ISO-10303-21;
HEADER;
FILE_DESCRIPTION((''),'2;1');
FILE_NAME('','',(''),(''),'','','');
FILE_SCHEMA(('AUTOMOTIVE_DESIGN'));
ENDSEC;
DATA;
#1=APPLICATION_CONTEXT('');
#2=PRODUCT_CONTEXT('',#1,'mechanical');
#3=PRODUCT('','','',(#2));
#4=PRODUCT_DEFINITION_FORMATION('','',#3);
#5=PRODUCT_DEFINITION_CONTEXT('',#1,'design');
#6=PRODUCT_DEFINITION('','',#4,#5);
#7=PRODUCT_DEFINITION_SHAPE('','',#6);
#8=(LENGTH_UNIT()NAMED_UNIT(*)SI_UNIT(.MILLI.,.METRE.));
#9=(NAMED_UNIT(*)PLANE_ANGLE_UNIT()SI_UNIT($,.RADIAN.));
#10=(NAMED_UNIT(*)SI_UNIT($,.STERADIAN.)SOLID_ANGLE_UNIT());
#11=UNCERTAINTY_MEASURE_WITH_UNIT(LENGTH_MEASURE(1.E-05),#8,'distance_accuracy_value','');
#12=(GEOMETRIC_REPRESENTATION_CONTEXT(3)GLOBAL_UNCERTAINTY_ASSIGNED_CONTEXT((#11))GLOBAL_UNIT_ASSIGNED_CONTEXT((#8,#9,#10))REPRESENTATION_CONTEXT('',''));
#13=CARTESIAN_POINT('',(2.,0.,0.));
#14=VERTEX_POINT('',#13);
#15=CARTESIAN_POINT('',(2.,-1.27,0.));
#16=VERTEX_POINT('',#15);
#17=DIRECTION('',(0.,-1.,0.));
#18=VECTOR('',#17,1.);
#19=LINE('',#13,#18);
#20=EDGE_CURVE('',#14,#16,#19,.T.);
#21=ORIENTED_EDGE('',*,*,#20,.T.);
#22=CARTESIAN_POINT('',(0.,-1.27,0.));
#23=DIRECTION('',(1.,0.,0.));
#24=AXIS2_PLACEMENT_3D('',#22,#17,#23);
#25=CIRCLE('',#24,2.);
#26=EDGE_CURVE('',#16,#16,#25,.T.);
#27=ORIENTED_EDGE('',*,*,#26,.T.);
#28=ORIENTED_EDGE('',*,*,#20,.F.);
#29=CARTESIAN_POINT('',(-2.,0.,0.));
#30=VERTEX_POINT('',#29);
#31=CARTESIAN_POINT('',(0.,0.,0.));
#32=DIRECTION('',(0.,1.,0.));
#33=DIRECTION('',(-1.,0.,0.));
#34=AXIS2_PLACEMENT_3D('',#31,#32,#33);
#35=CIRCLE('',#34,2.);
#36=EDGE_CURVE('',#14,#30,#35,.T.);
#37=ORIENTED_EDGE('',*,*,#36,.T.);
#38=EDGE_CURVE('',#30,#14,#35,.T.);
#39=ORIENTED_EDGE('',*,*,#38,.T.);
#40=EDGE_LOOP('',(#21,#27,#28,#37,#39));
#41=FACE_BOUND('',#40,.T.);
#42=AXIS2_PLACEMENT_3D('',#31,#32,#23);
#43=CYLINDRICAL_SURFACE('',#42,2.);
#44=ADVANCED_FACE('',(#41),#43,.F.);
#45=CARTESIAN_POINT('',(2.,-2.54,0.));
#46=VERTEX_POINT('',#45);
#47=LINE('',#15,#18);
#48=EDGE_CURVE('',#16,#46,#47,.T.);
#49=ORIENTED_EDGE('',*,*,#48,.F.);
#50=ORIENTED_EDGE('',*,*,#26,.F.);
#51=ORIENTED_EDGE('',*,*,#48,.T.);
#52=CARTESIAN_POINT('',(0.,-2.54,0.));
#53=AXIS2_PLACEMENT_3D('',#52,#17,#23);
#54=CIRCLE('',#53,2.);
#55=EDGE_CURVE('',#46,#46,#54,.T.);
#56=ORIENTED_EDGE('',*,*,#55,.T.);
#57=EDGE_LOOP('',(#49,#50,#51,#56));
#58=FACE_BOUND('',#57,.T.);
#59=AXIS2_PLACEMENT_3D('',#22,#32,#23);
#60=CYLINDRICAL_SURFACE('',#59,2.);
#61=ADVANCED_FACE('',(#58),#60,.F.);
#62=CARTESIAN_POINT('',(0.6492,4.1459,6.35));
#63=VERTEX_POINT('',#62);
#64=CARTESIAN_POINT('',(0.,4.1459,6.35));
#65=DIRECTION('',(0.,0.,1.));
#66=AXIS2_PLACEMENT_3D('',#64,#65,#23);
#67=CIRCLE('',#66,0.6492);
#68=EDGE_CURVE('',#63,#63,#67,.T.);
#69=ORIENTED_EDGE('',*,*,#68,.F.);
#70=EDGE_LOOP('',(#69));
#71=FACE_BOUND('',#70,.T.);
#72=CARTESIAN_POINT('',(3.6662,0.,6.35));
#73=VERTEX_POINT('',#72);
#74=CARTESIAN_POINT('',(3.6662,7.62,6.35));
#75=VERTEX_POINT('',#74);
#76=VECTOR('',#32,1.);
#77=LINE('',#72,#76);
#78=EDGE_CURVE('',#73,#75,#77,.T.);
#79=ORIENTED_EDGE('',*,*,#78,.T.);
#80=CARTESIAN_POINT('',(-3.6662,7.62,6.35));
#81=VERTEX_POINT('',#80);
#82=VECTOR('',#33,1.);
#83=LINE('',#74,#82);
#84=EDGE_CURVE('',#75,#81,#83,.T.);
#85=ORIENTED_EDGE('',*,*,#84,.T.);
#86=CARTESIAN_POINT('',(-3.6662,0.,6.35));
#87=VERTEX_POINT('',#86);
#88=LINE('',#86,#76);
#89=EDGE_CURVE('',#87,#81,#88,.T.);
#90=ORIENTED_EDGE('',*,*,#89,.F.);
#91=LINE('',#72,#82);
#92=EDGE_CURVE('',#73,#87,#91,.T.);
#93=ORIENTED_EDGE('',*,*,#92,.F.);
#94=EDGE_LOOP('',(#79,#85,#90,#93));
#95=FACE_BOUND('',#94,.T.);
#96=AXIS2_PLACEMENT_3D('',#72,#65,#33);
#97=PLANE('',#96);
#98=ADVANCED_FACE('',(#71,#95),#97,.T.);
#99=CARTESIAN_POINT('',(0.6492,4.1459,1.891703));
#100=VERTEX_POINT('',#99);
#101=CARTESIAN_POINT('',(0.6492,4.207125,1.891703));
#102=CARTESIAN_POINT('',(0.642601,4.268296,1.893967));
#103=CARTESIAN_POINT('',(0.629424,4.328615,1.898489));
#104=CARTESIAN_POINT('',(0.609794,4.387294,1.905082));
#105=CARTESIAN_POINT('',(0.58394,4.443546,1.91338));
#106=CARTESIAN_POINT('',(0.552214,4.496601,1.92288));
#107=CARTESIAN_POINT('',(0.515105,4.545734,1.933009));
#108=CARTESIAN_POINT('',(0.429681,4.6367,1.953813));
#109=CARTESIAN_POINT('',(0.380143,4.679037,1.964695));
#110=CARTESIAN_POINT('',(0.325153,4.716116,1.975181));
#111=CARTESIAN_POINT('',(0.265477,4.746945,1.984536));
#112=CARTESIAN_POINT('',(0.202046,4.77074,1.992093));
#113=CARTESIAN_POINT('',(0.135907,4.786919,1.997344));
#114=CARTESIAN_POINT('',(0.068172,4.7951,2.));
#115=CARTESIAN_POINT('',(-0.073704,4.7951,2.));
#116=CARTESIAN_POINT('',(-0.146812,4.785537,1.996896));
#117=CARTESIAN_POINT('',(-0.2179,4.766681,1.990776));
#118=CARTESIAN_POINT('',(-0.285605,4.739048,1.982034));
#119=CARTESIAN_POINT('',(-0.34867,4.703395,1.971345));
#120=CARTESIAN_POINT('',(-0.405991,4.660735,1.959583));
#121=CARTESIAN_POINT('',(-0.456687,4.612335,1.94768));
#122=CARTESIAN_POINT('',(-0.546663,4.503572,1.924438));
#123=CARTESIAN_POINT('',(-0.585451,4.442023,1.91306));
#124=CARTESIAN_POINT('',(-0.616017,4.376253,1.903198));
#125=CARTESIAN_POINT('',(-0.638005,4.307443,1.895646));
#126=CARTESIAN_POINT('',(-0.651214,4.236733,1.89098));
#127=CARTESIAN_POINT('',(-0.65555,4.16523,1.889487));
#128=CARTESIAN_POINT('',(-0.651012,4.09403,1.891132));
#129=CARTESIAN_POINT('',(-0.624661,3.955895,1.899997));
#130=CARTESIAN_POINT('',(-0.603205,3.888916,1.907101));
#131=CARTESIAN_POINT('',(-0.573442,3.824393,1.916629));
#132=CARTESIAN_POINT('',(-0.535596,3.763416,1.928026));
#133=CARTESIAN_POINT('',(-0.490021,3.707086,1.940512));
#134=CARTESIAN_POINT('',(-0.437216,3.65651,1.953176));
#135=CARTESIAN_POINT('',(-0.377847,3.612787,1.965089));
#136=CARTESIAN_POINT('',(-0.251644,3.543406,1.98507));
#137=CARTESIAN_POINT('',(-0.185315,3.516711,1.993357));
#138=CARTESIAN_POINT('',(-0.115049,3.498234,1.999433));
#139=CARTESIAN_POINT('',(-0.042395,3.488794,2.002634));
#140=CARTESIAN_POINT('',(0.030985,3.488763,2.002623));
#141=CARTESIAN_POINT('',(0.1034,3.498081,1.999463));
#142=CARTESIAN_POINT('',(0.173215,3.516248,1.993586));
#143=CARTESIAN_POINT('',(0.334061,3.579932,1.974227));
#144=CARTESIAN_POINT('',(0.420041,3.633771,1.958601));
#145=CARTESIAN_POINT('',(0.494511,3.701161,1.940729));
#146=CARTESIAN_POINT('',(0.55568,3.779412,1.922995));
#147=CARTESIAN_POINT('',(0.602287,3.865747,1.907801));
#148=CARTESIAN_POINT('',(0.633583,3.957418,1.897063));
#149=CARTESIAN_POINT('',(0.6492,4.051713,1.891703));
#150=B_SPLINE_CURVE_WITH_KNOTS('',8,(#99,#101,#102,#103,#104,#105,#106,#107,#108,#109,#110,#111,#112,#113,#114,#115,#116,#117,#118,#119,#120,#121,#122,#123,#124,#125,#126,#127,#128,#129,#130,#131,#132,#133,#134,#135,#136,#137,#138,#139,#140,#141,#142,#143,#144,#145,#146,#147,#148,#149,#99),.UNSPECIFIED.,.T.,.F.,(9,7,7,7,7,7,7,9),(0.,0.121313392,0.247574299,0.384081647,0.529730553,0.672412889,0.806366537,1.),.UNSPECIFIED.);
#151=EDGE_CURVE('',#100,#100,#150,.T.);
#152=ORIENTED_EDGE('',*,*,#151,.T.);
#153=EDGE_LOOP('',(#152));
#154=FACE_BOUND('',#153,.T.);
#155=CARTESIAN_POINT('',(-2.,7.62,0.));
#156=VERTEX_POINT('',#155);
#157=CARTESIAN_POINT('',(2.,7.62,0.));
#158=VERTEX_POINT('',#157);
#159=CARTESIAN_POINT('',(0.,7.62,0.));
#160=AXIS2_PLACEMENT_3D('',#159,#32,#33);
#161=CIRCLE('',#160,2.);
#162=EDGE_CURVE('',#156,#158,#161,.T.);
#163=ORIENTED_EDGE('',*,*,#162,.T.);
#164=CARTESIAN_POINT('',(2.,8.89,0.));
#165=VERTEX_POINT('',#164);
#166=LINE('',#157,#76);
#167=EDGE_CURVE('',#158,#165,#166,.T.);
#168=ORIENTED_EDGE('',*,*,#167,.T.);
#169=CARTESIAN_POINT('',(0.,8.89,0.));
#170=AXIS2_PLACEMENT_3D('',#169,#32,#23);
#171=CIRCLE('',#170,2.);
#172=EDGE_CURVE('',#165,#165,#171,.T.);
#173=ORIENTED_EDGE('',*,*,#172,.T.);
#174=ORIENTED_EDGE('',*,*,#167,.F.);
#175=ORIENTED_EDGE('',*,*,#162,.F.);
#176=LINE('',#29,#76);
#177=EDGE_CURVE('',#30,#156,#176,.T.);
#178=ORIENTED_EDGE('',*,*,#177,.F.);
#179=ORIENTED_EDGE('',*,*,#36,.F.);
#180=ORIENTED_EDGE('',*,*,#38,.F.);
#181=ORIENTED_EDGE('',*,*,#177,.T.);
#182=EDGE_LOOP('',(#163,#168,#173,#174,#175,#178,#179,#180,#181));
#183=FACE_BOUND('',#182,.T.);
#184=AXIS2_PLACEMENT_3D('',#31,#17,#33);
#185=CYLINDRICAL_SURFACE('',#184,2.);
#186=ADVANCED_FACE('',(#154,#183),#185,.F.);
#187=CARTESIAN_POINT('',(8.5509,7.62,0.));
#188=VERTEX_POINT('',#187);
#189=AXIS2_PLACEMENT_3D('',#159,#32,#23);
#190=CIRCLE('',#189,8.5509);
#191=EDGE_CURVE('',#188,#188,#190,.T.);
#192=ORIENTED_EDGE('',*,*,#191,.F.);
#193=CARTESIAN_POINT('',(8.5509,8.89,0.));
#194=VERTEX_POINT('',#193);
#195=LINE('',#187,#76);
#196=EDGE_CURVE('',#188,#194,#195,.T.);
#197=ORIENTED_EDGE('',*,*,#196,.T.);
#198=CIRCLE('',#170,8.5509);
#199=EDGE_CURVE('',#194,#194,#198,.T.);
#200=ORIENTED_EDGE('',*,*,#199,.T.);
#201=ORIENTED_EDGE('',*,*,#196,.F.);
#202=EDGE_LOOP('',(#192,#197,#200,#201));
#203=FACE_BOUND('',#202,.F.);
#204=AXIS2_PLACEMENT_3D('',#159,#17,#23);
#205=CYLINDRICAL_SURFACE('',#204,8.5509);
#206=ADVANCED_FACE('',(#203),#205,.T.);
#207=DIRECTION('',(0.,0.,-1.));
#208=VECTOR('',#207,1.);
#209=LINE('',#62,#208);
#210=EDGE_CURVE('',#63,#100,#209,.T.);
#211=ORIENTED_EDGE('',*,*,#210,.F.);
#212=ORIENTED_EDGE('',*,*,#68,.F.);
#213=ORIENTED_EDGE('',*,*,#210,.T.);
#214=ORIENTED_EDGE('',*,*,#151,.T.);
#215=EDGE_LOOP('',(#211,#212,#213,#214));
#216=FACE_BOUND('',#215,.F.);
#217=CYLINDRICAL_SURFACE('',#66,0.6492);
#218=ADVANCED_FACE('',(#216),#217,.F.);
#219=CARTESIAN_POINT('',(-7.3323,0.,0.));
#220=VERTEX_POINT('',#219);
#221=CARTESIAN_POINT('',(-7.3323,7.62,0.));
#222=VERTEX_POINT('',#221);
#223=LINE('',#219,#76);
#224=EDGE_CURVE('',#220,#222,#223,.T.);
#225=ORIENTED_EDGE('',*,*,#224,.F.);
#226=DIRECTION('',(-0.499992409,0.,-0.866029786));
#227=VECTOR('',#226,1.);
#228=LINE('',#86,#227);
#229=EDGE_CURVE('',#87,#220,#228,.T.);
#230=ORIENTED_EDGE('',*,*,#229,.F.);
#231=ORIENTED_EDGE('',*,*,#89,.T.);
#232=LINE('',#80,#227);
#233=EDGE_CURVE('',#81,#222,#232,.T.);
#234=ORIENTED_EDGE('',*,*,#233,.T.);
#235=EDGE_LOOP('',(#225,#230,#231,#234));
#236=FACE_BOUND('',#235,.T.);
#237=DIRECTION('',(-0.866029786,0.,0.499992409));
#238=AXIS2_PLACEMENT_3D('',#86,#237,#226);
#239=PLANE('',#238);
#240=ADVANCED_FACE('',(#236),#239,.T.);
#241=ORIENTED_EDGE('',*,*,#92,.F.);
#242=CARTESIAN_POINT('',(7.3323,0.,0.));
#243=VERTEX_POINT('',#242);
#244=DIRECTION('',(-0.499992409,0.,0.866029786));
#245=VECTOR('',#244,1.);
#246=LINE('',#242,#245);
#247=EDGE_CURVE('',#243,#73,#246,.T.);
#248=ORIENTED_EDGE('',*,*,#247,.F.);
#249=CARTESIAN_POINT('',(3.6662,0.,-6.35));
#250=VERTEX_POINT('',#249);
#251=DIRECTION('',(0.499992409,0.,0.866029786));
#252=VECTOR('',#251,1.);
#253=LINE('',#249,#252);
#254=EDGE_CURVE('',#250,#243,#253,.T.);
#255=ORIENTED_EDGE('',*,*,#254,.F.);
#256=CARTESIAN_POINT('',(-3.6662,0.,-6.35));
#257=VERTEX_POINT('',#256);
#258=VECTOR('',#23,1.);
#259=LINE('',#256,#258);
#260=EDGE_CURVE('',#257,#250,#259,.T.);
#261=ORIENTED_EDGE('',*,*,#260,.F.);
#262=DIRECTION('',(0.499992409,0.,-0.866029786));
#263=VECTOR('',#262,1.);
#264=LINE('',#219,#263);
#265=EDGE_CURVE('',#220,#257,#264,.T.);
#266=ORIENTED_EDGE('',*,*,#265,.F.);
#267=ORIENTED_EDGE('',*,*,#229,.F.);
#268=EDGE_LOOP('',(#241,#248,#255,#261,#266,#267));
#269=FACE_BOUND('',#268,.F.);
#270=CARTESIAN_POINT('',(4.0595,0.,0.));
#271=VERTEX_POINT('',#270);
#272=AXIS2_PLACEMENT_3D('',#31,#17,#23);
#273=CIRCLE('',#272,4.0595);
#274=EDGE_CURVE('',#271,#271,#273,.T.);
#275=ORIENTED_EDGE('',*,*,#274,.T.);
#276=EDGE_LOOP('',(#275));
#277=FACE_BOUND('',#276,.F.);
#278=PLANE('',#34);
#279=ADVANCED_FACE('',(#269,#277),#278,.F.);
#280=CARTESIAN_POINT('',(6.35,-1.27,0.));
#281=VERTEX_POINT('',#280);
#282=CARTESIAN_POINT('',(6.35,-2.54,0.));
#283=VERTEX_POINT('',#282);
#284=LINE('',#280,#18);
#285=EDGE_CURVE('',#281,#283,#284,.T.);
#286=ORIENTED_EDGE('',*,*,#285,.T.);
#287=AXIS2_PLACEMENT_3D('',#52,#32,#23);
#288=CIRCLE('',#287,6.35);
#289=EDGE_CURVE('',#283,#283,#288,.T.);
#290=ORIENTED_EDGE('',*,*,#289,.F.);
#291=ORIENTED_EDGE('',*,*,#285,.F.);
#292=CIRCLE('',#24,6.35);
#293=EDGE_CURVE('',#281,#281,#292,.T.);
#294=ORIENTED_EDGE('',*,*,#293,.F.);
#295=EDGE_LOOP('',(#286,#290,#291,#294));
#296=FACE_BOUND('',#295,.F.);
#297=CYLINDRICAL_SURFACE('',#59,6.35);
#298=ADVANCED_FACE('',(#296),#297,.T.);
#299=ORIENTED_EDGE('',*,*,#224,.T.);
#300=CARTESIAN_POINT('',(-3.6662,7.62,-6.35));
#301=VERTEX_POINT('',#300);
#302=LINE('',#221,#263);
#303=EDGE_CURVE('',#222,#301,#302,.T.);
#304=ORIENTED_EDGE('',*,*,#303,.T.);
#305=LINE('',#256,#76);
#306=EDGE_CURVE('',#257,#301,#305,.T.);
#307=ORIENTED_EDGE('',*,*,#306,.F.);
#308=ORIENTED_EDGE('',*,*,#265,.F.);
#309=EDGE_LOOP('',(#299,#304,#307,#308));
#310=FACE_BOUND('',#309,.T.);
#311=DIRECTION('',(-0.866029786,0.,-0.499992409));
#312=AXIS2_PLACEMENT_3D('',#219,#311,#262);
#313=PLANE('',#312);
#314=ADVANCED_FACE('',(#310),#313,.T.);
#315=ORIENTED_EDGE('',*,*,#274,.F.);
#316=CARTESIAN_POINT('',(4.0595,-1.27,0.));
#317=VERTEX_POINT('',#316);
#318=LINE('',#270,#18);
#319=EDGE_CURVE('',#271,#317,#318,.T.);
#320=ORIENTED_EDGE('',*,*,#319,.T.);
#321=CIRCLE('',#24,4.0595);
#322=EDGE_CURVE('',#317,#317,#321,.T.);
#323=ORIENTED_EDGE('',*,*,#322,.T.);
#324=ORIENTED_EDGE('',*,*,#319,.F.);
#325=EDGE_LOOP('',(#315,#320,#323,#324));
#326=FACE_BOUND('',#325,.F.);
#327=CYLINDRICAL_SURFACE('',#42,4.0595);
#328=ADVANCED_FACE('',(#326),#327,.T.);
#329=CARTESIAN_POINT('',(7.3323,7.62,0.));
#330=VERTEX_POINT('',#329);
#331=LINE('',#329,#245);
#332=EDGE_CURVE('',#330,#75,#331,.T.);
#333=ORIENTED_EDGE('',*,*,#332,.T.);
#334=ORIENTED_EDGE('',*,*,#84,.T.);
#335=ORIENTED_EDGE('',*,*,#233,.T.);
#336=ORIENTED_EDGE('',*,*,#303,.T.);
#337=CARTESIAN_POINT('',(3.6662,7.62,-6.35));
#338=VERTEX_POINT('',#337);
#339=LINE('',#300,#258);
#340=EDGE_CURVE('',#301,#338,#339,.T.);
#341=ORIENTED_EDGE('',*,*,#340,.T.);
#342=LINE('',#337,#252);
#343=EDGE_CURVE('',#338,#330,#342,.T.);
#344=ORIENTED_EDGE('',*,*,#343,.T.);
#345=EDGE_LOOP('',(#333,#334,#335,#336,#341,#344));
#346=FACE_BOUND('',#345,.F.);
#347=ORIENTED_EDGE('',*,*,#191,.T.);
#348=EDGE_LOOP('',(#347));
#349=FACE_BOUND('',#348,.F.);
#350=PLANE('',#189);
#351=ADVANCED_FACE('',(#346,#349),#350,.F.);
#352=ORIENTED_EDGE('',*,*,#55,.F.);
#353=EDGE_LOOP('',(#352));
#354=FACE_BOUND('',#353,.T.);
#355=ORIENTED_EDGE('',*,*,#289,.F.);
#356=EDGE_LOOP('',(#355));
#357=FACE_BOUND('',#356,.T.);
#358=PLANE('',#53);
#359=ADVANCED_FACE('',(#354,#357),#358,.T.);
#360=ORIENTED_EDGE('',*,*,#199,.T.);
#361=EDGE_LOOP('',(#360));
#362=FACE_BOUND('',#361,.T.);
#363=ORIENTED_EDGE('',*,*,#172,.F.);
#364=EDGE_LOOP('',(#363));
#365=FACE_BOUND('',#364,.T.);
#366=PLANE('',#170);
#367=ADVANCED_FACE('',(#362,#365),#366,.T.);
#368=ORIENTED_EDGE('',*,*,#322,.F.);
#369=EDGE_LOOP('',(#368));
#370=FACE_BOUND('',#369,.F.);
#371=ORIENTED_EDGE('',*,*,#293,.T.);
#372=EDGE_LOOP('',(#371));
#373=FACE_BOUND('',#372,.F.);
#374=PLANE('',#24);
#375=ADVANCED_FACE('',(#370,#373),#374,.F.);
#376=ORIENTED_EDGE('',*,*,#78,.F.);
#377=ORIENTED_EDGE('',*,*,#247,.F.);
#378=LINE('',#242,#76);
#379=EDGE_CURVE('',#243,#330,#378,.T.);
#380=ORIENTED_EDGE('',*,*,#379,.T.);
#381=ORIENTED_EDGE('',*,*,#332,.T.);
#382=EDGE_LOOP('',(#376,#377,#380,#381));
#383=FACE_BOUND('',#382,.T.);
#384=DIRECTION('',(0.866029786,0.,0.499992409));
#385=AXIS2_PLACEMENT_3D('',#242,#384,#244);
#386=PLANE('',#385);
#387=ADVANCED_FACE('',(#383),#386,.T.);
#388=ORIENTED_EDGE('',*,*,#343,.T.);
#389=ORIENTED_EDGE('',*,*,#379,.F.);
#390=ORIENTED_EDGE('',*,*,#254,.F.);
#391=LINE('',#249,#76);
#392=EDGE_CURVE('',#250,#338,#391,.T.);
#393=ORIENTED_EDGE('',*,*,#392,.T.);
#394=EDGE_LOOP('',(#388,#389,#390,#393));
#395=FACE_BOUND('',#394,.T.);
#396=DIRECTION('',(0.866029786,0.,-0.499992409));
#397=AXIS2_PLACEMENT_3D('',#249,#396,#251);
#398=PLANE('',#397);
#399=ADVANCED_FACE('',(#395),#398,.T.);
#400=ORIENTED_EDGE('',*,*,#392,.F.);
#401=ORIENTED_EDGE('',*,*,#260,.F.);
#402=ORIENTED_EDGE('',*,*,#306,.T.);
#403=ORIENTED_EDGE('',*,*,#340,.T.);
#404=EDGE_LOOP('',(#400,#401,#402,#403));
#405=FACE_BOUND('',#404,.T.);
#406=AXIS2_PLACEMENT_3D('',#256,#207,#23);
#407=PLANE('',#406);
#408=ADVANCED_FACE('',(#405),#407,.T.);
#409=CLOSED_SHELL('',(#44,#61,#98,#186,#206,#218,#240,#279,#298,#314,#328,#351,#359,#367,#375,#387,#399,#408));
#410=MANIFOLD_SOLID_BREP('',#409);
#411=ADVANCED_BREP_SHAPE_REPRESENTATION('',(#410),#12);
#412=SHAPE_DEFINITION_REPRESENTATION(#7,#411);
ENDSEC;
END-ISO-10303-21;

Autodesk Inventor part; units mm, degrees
ref_plane "YZ Plane" through (0, 0, 0) normal (1, 0, 0) x (0, 1, 0)
ref_plane "XZ Plane" through (0, 0, 0) normal (0, 1, 0) x (-1, 0, 0)
ref_plane "XY Plane" through (0, 0, 0) normal (0, 0, 1) x (1, 0, 0)
sketch "Esquisse1" plane through (0, 0, 0) normal (0, 1, 0) x (-1, 0, 0)
  circle A0 centre (0, 0) radius 2
  line L0 (7.3323, 0) -> (3.6662, -6.35)
  line L1 (3.6662, -6.35) -> (-3.6662, -6.35)
  line L2 (-3.6662, -6.35) -> (-7.3323, 0)
  line L3 (-7.3323, 0) -> (-3.6662, 6.35)
  line L4 (-3.6662, 6.35) -> (3.6662, 6.35)
  line L5 (3.6662, 6.35) -> (7.3323, 0)
  dimension "d0" = 12.7
  dimension "d1" = 4
extrude "Extrusion1" add sketch "Esquisse1" along normal blind 7.62
sketch "Esquisse2" plane through (0, 7.62, 0) normal (0, 1, 0) x (1, 0, 0)
  circle A0 centre (0, 0) radius 8.5509
  circle A1 centre (0, 0) radius 2
extrude "Extrusion2" add sketch "Esquisse2" along normal blind 1.27
sketch "Esquisse3" plane through (0, 0, 0) normal (0, -1, 0) x (1, 0, 0)
  circle A0 centre (0, 0) radius 4.0595
  circle A1 centre (0, 0) radius 2
extrude "Extrusion3" add sketch "Esquisse3" along normal blind 1.27
sketch "Esquisse4" plane through (0, -1.27, 0) normal (0, -1, 0) x (1, 0, 0)
  circle A0 centre (0, 0) radius 6.35
  line L0 (7.3323, 0) -> (3.6662, 6.35) projected
  circle A1 centre (0, 0) radius 2
extrude "Extrusion4" add sketch "Esquisse4" along normal blind 1.27
sketch "Esquisse5" plane through (-3.6662, 0, 6.35) normal (0, 0, 1) x (1, 0, 0)
  circle A0 centre (3.6662, 4.1459) radius 0.6492
  point P0 (3.6662, 0)
extrude "Extrusion5" cut sketch "Esquisse5" against normal blind 6
properties part number "T40_hub_40mm_1screw"
